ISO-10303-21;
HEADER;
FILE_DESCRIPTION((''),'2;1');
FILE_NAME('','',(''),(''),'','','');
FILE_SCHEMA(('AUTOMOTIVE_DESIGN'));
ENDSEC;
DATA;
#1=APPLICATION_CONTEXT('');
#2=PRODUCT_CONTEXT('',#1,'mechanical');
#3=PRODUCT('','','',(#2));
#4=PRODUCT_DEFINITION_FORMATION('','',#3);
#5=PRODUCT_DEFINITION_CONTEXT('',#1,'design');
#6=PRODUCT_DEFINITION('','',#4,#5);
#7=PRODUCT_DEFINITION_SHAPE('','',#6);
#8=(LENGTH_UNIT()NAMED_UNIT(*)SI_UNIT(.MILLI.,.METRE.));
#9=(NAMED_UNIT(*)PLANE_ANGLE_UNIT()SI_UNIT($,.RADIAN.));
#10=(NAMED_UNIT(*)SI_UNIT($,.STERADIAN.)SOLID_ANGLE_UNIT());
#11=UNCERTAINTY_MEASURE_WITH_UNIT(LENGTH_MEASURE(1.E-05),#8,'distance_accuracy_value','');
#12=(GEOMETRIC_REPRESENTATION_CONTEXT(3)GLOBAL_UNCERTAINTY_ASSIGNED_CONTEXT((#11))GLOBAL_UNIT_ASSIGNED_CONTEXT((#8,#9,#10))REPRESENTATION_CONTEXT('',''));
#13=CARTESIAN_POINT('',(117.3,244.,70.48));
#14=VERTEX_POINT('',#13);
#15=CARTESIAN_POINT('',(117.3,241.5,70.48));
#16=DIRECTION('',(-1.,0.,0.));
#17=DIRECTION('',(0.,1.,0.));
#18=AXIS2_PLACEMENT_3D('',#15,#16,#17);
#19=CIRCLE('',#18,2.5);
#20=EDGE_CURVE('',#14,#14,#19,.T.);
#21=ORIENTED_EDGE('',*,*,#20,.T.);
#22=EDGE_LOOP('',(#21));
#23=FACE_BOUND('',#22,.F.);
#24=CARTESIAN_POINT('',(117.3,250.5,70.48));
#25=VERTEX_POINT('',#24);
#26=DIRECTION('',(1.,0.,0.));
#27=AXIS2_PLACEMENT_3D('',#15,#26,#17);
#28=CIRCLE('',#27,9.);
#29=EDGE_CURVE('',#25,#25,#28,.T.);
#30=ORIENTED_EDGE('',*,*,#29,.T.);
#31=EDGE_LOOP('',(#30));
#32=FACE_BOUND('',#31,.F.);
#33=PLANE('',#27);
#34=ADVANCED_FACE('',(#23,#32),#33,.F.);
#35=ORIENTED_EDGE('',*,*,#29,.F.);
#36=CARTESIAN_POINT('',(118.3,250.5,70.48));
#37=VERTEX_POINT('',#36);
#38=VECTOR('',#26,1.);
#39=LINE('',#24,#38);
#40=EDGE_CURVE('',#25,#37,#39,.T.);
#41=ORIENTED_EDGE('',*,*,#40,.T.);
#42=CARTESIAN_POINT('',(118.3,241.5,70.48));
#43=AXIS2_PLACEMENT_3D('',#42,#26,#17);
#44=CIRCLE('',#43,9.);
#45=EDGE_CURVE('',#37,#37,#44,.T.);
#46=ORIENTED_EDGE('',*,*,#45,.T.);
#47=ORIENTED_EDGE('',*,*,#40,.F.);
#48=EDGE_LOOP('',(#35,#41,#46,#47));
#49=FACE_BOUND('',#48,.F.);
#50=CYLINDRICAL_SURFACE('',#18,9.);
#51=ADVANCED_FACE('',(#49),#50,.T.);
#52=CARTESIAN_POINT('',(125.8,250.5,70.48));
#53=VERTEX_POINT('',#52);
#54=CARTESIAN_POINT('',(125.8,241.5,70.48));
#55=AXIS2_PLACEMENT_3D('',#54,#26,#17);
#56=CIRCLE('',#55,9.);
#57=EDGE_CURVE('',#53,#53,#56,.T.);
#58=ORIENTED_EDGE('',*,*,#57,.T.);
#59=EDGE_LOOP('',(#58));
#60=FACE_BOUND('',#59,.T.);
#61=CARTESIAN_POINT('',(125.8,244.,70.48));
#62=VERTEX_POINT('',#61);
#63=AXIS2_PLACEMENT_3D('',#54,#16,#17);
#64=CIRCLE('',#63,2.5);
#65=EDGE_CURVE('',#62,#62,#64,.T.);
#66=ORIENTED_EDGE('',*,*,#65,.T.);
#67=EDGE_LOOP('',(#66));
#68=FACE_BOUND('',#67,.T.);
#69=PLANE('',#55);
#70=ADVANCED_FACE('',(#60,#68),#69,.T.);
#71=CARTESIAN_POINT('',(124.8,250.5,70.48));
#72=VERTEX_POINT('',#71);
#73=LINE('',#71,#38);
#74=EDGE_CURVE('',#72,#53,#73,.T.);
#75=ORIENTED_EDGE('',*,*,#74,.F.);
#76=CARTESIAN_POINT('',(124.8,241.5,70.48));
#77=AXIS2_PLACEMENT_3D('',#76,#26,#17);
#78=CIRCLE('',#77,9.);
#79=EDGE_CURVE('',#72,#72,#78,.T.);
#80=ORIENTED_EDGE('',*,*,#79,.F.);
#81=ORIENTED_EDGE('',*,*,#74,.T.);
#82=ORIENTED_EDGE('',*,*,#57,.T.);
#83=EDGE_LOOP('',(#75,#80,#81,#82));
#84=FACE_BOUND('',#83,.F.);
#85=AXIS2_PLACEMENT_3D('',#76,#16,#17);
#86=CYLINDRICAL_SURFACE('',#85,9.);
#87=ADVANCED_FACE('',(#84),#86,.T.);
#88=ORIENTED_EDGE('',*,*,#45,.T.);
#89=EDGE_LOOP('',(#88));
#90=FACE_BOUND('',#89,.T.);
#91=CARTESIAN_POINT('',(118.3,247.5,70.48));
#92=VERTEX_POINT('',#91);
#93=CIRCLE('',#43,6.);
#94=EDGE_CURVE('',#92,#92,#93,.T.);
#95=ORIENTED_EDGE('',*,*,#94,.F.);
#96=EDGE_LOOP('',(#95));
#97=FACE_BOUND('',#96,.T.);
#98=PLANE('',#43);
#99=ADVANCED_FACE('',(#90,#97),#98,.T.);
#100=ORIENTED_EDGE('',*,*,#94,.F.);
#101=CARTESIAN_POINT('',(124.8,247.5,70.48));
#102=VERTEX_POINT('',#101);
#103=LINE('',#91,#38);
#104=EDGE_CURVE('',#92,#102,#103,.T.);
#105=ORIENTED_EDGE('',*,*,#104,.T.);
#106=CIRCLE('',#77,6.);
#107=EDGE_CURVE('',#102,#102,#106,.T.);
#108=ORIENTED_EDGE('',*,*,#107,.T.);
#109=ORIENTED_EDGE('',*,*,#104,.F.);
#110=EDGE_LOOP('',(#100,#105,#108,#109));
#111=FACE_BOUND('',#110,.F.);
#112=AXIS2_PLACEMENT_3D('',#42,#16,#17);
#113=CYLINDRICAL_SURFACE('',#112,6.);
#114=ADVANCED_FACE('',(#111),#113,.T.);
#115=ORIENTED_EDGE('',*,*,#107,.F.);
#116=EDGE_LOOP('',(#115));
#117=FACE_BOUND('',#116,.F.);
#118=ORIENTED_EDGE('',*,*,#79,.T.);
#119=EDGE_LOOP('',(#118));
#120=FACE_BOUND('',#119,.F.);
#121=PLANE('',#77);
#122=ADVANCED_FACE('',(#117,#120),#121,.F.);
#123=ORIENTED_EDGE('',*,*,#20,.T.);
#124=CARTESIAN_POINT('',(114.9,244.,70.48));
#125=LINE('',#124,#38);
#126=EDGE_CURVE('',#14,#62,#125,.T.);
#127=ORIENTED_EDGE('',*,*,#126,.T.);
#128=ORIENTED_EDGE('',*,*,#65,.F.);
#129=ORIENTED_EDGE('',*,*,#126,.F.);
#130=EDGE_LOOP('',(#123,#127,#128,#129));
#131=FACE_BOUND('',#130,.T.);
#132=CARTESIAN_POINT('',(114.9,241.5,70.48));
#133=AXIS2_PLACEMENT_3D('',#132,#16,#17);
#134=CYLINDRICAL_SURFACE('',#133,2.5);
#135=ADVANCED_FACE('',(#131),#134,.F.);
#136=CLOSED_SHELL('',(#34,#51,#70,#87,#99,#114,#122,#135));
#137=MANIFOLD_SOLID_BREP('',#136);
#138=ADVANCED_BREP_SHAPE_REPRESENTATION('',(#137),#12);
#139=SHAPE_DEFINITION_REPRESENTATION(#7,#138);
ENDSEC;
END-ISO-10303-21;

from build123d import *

# Parameters (mm, degrees)
CYLINDER285_R          = 2.5
CYLINDER285_DEPTH      = 14.5
CYLINDER284_R          = 6
CYLINDER284_DEPTH      = 6.5
CYLINDER283_R          = 9
CYLINDER283_DEPTH      = 1
CYLINDER282_R          = 9
CYLINDER282_DEPTH      = 1
CUT200_ROLL_ANGLE      = 90
CUT200_PLACEMENT_ANGLE = 90


with BuildPart() as cylinder285:
    # Cylinder285 → Cylinder285 (new body)
    with BuildSketch(Plane.XY.offset(-2.4)):
        Circle(CYLINDER285_R)
    extrude(amount=CYLINDER285_DEPTH)


with BuildPart() as cylinder284:
    # Cylinder284 → Cylinder284 (new body)
    with BuildSketch(Plane.XY.offset(1)):
        Circle(CYLINDER284_R)
    extrude(amount=CYLINDER284_DEPTH)


with BuildPart() as cylinder283:
    # Cylinder283 → Cylinder283 (new body)
    with BuildSketch(Plane.XY.offset(7.5)):
        Circle(CYLINDER283_R)
    extrude(amount=CYLINDER283_DEPTH)


with BuildPart() as cut200:
    # Cylinder282 → Cylinder282 (new body)
    with BuildSketch(Plane.XY):
        Circle(CYLINDER282_R)
    extrude(amount=CYLINDER282_DEPTH)

    # Fusion108: union Cylinder284, Cylinder283
    add(cylinder284.part)
    add(cylinder283.part)

    # Cut200: cut Cylinder285
    add(cylinder285.part, mode=Mode.SUBTRACT)


with BuildPart() as cut200_1:
    # Cut200 roll: moved
    add(cut200.part.rotate(Axis((0, 0, 0), (1, 0, 0)), CUT200_ROLL_ANGLE))


with BuildPart() as cut200_2:
    # Cut200 placement: moved
    add(cut200_1.part.moved(Location((117.3, 241.5, 70.48))).rotate(Axis((117.3, 241.5, 70.48), (0, 0, 1)), CUT200_PLACEMENT_ANGLE))


solid = cut200_2.part
